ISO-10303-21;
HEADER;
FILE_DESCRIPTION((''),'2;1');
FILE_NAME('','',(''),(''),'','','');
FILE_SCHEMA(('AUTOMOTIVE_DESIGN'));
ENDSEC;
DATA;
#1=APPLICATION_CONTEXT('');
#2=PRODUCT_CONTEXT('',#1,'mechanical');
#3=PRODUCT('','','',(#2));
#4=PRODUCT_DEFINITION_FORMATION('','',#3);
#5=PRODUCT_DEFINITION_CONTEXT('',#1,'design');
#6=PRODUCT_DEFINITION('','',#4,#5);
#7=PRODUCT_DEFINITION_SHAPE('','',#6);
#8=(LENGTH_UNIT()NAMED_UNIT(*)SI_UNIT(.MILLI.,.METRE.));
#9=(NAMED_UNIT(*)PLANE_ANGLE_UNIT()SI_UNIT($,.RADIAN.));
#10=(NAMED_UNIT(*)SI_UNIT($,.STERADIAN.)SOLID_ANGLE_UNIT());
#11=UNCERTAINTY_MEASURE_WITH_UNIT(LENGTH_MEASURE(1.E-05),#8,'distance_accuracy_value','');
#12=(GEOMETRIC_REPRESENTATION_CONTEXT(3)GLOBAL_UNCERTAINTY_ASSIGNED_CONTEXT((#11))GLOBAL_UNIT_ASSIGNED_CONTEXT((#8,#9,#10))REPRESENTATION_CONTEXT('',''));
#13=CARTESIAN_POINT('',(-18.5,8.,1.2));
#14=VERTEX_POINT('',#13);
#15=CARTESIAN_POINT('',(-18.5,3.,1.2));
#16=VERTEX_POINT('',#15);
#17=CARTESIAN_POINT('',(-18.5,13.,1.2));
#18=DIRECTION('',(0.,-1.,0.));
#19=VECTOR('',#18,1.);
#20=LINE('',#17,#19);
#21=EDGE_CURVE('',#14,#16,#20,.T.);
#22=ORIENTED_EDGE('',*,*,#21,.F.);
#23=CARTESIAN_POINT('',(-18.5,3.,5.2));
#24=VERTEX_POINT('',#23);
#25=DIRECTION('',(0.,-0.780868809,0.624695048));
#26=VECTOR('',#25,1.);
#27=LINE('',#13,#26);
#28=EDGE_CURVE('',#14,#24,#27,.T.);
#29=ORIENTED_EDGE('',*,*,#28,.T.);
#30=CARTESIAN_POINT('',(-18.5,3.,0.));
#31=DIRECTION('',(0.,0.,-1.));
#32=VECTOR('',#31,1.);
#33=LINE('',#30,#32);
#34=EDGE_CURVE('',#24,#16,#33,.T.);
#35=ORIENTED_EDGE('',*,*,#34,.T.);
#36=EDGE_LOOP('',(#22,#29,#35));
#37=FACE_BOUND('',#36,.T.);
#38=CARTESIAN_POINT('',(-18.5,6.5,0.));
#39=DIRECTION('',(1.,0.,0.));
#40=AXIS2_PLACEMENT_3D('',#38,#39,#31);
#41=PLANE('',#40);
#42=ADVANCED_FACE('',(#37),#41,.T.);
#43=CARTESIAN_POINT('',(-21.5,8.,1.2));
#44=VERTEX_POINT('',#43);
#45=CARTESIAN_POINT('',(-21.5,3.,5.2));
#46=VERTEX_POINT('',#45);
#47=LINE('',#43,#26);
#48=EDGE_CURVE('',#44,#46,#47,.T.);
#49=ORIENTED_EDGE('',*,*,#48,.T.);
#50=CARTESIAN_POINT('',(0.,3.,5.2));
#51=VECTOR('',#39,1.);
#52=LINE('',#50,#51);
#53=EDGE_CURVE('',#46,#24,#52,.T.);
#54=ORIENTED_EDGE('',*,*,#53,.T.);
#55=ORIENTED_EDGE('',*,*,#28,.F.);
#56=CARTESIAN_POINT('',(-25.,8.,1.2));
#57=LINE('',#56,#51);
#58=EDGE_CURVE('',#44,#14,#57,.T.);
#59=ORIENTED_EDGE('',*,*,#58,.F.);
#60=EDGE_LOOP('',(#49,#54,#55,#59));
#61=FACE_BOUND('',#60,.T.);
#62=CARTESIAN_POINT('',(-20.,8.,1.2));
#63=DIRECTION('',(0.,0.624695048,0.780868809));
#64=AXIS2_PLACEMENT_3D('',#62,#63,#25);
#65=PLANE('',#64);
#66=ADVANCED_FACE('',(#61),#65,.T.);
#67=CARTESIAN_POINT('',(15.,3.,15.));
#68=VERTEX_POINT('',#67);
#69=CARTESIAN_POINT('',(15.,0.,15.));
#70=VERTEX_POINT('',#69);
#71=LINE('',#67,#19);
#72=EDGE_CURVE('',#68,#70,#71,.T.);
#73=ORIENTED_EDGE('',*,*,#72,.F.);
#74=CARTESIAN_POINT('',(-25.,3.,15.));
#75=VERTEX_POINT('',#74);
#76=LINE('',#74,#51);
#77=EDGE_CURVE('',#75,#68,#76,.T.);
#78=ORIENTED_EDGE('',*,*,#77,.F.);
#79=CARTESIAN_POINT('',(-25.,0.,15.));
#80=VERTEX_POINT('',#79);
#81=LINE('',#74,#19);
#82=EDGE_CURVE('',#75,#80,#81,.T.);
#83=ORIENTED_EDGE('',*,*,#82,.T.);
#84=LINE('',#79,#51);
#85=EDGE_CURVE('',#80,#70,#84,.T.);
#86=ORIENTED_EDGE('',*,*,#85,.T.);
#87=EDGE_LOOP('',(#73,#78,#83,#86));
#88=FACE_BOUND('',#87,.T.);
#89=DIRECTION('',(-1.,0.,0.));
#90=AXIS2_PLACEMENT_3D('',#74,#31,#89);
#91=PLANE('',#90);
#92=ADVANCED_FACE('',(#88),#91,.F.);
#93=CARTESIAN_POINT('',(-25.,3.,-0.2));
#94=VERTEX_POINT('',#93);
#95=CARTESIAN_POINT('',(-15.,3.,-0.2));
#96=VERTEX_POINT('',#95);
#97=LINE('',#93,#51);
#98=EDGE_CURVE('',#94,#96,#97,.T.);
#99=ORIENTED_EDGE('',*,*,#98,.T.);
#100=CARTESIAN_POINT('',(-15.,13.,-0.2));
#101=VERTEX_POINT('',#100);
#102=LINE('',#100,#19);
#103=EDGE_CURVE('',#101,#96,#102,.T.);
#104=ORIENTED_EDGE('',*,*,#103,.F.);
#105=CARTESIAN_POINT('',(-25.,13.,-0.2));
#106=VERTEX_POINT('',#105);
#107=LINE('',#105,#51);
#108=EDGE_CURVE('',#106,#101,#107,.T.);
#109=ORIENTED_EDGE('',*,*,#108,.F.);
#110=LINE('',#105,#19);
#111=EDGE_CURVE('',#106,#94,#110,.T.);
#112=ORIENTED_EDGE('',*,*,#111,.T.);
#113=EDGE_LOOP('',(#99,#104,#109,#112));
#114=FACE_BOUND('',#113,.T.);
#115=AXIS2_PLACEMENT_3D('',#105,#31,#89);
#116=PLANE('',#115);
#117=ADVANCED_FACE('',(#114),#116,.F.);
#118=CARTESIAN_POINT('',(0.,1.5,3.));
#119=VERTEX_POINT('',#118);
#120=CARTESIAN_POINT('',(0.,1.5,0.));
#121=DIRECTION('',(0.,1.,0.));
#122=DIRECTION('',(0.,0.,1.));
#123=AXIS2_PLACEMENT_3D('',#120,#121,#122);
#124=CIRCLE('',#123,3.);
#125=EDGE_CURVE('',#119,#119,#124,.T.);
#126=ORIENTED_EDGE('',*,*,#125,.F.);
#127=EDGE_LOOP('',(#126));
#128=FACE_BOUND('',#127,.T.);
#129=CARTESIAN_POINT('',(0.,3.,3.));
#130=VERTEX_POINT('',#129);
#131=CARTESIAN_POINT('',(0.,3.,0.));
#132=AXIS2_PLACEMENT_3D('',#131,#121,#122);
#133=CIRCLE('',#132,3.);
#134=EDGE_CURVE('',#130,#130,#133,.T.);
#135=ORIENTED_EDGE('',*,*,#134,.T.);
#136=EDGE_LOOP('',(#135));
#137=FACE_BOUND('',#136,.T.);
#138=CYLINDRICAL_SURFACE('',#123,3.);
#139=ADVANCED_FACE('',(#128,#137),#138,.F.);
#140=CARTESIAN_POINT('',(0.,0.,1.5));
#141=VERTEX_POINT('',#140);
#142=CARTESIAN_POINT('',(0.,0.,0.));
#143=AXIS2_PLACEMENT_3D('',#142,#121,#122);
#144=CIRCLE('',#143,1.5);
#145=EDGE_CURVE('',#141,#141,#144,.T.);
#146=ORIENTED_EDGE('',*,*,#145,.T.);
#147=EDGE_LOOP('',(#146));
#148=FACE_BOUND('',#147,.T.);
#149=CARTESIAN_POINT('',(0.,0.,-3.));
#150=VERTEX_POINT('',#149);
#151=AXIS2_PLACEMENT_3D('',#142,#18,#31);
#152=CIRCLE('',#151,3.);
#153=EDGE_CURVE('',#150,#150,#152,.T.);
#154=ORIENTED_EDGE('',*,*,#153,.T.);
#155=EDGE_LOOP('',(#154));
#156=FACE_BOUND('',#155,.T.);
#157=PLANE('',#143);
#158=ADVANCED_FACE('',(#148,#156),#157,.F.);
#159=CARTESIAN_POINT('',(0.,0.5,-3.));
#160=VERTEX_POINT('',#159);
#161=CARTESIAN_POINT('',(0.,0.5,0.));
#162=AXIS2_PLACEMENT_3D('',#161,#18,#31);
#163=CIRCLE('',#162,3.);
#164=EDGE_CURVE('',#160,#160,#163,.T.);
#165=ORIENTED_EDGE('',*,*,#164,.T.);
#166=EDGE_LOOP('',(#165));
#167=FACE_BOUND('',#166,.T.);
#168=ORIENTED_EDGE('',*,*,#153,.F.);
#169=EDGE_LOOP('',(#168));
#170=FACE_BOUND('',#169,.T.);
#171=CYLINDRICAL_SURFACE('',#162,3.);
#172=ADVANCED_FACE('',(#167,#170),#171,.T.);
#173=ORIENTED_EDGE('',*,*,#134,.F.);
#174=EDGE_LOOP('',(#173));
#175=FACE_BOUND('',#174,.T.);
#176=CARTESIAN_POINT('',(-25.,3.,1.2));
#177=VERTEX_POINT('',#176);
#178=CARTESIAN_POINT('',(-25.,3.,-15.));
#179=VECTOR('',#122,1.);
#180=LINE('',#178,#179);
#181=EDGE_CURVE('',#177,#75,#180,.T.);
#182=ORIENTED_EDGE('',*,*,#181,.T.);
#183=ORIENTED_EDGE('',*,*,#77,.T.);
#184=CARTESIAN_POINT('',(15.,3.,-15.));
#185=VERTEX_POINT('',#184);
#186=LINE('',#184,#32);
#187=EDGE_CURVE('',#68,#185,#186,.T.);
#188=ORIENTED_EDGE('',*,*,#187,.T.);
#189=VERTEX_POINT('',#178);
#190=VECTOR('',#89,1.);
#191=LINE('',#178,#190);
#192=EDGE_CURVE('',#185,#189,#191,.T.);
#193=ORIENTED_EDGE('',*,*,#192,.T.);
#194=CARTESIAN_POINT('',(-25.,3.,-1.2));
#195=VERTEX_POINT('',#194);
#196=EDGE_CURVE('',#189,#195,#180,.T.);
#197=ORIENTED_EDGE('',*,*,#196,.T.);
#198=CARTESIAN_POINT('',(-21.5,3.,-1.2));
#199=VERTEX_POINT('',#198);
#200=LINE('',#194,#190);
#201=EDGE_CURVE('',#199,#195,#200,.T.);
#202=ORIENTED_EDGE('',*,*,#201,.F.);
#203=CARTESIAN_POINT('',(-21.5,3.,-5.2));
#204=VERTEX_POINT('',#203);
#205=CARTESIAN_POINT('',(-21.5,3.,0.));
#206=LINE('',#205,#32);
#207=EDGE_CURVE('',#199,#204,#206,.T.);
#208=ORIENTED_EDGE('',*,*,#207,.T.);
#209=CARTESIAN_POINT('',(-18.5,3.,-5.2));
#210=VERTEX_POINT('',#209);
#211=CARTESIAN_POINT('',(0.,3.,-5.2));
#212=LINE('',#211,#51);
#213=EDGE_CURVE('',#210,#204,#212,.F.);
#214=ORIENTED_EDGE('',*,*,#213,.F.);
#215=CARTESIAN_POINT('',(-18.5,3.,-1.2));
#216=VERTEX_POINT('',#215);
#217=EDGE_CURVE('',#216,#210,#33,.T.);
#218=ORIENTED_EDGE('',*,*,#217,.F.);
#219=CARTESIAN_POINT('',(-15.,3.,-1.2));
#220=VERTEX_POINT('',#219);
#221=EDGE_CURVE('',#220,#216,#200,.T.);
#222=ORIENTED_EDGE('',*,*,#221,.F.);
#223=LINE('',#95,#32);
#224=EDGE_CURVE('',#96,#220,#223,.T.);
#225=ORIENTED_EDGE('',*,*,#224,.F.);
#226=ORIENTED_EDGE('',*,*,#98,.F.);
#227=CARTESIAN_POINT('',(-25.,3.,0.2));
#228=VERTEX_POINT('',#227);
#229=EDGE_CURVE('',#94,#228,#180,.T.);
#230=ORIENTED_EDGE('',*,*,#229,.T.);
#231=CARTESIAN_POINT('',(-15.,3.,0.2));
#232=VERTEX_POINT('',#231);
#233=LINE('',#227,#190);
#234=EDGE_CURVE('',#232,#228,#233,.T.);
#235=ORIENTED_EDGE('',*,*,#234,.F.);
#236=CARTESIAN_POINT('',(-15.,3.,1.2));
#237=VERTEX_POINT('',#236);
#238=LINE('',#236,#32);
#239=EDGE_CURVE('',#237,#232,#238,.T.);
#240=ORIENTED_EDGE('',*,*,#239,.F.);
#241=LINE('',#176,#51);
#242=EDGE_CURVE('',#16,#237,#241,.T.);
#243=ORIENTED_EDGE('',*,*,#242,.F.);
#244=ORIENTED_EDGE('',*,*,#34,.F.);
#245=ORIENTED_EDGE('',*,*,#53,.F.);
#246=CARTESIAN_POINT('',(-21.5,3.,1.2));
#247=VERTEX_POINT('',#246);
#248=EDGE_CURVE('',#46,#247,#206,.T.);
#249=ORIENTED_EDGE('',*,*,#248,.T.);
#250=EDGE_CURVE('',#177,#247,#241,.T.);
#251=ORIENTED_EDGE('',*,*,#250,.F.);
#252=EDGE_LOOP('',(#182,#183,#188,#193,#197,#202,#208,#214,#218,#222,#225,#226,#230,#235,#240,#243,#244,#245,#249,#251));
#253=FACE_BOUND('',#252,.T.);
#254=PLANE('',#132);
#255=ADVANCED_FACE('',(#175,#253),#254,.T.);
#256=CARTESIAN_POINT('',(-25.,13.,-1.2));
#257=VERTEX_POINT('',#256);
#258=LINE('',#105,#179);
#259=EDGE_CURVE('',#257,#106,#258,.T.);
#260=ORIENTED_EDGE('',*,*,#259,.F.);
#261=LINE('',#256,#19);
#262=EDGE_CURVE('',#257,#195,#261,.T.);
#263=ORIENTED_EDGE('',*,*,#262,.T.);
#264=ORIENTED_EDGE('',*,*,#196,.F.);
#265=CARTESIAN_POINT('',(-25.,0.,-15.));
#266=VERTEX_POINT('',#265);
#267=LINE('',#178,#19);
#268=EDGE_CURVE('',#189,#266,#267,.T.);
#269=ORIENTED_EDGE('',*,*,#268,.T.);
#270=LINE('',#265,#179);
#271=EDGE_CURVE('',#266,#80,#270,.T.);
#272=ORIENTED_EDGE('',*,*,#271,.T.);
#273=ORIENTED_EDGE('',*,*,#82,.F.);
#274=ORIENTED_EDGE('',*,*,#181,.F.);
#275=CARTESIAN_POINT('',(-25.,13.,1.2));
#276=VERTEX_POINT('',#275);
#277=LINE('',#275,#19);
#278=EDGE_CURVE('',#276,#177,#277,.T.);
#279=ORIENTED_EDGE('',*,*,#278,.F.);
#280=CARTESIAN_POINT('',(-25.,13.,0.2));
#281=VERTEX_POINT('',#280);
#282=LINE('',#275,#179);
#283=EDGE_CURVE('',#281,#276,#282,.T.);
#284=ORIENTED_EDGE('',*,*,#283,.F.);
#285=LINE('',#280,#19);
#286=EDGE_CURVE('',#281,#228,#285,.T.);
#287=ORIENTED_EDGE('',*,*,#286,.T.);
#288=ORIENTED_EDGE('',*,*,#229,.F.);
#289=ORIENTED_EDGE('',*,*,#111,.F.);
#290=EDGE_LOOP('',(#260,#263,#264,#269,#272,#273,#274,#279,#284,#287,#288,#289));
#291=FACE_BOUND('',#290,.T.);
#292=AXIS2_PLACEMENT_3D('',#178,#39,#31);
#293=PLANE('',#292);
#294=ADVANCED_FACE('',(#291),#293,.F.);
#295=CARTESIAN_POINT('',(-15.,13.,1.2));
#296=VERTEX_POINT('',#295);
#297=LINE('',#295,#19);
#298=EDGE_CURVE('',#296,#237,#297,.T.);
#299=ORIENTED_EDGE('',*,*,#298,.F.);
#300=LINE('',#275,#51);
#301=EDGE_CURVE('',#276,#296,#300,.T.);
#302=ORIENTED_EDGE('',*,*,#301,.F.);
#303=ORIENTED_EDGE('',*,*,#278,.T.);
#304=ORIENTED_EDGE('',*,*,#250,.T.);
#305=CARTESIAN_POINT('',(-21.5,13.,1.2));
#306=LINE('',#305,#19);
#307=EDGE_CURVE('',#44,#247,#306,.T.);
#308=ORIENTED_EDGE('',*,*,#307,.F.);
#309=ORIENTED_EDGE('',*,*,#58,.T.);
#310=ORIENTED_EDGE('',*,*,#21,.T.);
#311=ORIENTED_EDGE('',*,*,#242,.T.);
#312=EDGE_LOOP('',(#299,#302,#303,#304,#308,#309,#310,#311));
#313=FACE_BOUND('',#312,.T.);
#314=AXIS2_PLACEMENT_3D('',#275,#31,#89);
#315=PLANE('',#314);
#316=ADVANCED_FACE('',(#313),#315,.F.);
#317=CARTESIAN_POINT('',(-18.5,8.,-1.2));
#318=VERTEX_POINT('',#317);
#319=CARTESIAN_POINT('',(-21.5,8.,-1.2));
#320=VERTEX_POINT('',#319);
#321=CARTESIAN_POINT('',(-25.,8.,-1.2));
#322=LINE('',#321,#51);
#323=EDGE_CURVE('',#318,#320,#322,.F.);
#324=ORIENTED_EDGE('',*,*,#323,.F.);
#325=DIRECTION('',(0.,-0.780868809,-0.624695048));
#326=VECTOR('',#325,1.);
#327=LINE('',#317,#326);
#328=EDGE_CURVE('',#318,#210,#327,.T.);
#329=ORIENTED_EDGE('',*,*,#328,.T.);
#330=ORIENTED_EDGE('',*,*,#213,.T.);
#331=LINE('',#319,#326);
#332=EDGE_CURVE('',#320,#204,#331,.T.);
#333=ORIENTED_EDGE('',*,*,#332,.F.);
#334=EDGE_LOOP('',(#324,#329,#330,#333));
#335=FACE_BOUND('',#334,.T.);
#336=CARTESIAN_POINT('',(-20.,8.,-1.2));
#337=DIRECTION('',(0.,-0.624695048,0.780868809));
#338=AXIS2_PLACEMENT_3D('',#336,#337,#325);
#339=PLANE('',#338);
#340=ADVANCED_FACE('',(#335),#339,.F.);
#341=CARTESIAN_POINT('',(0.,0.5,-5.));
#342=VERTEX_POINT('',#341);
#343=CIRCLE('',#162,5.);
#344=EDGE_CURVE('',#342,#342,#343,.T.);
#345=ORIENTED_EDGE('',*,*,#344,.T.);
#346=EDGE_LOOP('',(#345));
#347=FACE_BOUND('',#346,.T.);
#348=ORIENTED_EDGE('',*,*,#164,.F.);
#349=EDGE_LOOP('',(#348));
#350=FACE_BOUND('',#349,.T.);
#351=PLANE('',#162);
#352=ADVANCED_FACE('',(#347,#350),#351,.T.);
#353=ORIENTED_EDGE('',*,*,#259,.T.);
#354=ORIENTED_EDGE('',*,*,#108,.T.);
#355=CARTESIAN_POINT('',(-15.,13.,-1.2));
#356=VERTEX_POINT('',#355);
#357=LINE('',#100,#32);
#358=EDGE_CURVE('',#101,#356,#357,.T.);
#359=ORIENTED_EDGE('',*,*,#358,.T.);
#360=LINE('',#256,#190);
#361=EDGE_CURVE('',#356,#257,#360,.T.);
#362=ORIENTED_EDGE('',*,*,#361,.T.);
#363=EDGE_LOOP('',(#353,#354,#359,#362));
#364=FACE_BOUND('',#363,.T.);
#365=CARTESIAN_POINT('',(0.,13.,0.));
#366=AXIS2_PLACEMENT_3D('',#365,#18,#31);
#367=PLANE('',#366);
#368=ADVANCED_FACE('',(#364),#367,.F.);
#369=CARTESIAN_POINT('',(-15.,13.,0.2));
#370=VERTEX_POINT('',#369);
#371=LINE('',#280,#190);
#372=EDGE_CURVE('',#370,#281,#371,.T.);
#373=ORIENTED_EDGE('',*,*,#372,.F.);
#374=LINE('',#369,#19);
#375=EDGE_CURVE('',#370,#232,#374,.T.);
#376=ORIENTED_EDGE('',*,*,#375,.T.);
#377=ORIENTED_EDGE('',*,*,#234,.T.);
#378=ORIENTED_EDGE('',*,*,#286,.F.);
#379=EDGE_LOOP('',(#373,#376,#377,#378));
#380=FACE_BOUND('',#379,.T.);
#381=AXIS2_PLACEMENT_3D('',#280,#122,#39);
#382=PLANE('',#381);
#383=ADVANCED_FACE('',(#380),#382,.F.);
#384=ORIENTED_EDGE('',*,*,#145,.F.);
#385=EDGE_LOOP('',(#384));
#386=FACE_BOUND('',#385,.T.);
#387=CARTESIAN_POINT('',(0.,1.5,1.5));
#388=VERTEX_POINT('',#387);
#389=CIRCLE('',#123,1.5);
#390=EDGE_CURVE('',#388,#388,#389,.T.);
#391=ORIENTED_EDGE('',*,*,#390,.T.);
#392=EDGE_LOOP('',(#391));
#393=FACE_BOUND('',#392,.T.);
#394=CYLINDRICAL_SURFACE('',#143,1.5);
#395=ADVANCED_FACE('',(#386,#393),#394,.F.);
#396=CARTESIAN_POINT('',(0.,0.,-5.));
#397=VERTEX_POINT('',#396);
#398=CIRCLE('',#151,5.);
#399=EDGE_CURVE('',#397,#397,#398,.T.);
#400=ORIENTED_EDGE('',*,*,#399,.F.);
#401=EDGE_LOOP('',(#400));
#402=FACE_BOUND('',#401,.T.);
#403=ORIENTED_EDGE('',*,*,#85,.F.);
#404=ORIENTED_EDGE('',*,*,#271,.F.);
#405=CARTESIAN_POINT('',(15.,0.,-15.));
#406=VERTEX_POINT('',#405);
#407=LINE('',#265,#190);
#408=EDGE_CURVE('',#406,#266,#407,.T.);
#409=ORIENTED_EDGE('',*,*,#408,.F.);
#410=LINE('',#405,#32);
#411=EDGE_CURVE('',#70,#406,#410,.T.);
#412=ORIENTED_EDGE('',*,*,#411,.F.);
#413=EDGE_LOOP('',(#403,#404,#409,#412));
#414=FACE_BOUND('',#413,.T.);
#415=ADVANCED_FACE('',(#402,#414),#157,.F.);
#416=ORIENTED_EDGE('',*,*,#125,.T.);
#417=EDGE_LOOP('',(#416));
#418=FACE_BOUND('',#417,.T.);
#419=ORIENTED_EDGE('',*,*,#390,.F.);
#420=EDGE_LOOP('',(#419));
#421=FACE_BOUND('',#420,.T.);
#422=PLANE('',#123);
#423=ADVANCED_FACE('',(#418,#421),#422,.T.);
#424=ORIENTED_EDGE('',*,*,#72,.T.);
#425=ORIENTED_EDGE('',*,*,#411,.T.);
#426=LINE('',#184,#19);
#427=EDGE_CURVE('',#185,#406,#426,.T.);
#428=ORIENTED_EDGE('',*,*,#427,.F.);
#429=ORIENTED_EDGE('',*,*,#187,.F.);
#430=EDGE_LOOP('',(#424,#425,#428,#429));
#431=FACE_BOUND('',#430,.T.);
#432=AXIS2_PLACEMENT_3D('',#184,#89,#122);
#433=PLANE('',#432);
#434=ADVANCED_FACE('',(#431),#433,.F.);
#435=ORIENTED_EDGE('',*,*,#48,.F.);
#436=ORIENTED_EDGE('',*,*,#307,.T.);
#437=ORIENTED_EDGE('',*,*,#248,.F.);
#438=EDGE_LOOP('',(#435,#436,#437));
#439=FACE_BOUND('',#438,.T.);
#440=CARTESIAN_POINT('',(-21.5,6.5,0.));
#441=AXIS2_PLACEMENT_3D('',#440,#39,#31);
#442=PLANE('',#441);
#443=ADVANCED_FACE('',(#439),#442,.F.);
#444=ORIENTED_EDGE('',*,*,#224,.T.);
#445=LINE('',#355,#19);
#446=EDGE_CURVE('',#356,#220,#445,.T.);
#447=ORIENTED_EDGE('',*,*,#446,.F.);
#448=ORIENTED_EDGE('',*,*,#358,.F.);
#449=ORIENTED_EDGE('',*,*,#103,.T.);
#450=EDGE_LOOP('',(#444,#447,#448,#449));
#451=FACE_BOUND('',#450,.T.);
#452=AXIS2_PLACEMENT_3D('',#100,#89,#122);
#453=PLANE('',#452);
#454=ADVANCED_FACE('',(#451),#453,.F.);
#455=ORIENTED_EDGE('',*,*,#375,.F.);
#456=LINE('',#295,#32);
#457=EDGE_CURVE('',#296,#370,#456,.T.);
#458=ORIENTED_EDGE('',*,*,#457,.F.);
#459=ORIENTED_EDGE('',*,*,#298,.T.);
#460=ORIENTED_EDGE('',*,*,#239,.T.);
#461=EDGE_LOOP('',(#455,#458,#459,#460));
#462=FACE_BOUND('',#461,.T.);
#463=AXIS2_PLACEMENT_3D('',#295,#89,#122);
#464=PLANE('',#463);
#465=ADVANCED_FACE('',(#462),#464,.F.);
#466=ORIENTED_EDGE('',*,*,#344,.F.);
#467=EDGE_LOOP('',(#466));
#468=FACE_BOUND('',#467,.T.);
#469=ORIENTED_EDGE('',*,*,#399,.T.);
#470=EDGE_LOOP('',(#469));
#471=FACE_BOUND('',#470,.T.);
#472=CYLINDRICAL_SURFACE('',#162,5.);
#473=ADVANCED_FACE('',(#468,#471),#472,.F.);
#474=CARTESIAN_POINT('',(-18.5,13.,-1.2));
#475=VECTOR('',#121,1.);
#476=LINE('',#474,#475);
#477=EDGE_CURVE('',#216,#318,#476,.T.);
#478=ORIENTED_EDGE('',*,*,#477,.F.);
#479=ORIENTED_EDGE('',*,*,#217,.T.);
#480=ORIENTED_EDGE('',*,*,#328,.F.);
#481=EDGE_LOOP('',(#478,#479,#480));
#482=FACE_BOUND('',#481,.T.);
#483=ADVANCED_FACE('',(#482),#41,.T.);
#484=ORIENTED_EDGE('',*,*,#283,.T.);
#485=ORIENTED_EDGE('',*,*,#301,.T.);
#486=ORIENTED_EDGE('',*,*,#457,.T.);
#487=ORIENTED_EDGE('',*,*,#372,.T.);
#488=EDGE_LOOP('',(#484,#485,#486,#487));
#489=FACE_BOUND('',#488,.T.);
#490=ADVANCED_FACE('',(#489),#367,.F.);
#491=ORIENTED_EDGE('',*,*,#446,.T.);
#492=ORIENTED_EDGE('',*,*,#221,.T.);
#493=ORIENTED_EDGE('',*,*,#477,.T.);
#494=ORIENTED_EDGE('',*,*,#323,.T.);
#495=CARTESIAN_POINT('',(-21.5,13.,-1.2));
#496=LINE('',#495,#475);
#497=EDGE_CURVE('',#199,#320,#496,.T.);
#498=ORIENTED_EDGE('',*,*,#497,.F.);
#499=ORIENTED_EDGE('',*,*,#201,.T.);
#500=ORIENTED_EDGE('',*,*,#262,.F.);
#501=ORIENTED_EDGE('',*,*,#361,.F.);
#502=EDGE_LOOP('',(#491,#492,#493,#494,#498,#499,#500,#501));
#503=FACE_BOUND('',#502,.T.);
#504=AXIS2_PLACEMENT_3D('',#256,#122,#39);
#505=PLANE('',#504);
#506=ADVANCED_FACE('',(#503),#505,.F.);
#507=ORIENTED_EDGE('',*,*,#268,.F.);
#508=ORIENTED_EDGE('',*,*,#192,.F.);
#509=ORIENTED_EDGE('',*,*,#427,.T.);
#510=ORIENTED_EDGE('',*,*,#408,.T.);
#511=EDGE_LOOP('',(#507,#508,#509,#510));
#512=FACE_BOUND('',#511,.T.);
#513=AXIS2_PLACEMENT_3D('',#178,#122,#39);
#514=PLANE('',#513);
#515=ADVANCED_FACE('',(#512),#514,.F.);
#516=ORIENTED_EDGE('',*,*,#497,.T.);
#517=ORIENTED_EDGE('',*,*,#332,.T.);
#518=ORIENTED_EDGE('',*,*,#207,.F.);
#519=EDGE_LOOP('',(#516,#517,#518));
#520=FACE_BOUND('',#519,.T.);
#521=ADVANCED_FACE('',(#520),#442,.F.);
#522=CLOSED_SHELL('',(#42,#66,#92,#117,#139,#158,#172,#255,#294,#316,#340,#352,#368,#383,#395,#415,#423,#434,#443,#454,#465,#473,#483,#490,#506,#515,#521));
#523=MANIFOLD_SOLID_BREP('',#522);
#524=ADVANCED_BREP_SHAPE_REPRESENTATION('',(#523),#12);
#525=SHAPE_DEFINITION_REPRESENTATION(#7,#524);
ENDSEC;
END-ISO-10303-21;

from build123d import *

# Parameters (mm, degrees)
SKETCH1_W           = 40
SKETCH1_H           = 30
BOSS_EXTRUDE1_DEPTH = 3
SKETCH2_R           = 3
CUT_EXTRUDE1_DEPTH  = 1.5
SKETCH3_R           = 1.5
CUT_EXTRUDE2_DEPTH  = 30.193321154
SKETCH4_R           = 5
SKETCH4_R_2         = 3
CUT_EXTRUDE3_DEPTH  = 0.5
SKETCH6_W           = 10
SKETCH6_H           = 1
BOSS_EXTRUDE2_DEPTH = 10
RIB5_REACH          = 42.237
SKETCH10_WALL_W     = 88.876722392
SKETCH10_WALL_H     = 3


with BuildPart() as part:
    # Sketch1 → Boss-Extrude1 (new body)
    with BuildSketch(Plane(origin=(0, 0, 0), x_dir=(1, 0, 0), z_dir=(0, 1, 0))):
        with Locations((-5, 0)):
            Rectangle(SKETCH1_W, SKETCH1_H)
    extrude(amount=BOSS_EXTRUDE1_DEPTH)

    # Sketch2 → Cut-Extrude1 (cut)
    with BuildSketch(Plane(origin=(0, 3, 0), x_dir=(1, 0, 0), z_dir=(0, 1, 0))):
        with Locations(Location((0, 0, 0), (0, 0, 270))):
            Circle(SKETCH2_R)
    extrude(amount=-CUT_EXTRUDE1_DEPTH, mode=Mode.SUBTRACT)

    # Sketch3 → Cut-Extrude2 (cut, through all)
    with BuildSketch(Plane(origin=(0, 1.5, 0), x_dir=(1, 0, 0), z_dir=(0, 1, 0))):
        with Locations(Location((0, 0, 0), (0, 0, 270))):
            Circle(SKETCH3_R)
    extrude(amount=-CUT_EXTRUDE2_DEPTH, mode=Mode.SUBTRACT)

    # Sketch4 → Cut-Extrude3 (cut)
    with BuildSketch(Plane.XZ):
        with Locations(Location((0, 0, 0), (0, 0, 270))):
            Circle(SKETCH4_R)
        with Locations(Location((0, 0, 0), (0, 0, 90))):
            Circle(SKETCH4_R_2, mode=Mode.SUBTRACT)
    extrude(amount=-CUT_EXTRUDE3_DEPTH, mode=Mode.SUBTRACT)

    # Sketch6 → Boss-Extrude2 (add)
    with BuildSketch(Plane(origin=(0, 3, 0), x_dir=(1, 0, 0), z_dir=(0, 1, 0))):
        with Locations((-20, -0.7)):
            Rectangle(SKETCH6_W, SKETCH6_H)
        with Locations((-20, 0.7)):
            Rectangle(SKETCH6_W, SKETCH6_H)
    extrude(amount=BOSS_EXTRUDE2_DEPTH)

    # Sketch10 wall → Rib5 (add, up to next)
    with BuildSketch(Plane(origin=(-20, 5.5, 3.2), x_dir=(0, -0.780868809443, 0.624695047554), z_dir=(0, -0.624695047554, -0.780868809443)), mode=Mode.PRIVATE) as rib5_sk1:
        Rectangle(SKETCH10_WALL_W, SKETCH10_WALL_H)
    rib5_tool1 = extrude(rib5_sk1.sketch, amount=RIB5_REACH, mode=Mode.PRIVATE) - part.part
    rib5 = rib5_tool1.solids().sort_by_distance((-20, 5.5, 3.2))[0]
    add(rib5)

    # Mirror1: Rib5 across plane
    add(rib5.mirror(Plane.XY))


solid = part.part
